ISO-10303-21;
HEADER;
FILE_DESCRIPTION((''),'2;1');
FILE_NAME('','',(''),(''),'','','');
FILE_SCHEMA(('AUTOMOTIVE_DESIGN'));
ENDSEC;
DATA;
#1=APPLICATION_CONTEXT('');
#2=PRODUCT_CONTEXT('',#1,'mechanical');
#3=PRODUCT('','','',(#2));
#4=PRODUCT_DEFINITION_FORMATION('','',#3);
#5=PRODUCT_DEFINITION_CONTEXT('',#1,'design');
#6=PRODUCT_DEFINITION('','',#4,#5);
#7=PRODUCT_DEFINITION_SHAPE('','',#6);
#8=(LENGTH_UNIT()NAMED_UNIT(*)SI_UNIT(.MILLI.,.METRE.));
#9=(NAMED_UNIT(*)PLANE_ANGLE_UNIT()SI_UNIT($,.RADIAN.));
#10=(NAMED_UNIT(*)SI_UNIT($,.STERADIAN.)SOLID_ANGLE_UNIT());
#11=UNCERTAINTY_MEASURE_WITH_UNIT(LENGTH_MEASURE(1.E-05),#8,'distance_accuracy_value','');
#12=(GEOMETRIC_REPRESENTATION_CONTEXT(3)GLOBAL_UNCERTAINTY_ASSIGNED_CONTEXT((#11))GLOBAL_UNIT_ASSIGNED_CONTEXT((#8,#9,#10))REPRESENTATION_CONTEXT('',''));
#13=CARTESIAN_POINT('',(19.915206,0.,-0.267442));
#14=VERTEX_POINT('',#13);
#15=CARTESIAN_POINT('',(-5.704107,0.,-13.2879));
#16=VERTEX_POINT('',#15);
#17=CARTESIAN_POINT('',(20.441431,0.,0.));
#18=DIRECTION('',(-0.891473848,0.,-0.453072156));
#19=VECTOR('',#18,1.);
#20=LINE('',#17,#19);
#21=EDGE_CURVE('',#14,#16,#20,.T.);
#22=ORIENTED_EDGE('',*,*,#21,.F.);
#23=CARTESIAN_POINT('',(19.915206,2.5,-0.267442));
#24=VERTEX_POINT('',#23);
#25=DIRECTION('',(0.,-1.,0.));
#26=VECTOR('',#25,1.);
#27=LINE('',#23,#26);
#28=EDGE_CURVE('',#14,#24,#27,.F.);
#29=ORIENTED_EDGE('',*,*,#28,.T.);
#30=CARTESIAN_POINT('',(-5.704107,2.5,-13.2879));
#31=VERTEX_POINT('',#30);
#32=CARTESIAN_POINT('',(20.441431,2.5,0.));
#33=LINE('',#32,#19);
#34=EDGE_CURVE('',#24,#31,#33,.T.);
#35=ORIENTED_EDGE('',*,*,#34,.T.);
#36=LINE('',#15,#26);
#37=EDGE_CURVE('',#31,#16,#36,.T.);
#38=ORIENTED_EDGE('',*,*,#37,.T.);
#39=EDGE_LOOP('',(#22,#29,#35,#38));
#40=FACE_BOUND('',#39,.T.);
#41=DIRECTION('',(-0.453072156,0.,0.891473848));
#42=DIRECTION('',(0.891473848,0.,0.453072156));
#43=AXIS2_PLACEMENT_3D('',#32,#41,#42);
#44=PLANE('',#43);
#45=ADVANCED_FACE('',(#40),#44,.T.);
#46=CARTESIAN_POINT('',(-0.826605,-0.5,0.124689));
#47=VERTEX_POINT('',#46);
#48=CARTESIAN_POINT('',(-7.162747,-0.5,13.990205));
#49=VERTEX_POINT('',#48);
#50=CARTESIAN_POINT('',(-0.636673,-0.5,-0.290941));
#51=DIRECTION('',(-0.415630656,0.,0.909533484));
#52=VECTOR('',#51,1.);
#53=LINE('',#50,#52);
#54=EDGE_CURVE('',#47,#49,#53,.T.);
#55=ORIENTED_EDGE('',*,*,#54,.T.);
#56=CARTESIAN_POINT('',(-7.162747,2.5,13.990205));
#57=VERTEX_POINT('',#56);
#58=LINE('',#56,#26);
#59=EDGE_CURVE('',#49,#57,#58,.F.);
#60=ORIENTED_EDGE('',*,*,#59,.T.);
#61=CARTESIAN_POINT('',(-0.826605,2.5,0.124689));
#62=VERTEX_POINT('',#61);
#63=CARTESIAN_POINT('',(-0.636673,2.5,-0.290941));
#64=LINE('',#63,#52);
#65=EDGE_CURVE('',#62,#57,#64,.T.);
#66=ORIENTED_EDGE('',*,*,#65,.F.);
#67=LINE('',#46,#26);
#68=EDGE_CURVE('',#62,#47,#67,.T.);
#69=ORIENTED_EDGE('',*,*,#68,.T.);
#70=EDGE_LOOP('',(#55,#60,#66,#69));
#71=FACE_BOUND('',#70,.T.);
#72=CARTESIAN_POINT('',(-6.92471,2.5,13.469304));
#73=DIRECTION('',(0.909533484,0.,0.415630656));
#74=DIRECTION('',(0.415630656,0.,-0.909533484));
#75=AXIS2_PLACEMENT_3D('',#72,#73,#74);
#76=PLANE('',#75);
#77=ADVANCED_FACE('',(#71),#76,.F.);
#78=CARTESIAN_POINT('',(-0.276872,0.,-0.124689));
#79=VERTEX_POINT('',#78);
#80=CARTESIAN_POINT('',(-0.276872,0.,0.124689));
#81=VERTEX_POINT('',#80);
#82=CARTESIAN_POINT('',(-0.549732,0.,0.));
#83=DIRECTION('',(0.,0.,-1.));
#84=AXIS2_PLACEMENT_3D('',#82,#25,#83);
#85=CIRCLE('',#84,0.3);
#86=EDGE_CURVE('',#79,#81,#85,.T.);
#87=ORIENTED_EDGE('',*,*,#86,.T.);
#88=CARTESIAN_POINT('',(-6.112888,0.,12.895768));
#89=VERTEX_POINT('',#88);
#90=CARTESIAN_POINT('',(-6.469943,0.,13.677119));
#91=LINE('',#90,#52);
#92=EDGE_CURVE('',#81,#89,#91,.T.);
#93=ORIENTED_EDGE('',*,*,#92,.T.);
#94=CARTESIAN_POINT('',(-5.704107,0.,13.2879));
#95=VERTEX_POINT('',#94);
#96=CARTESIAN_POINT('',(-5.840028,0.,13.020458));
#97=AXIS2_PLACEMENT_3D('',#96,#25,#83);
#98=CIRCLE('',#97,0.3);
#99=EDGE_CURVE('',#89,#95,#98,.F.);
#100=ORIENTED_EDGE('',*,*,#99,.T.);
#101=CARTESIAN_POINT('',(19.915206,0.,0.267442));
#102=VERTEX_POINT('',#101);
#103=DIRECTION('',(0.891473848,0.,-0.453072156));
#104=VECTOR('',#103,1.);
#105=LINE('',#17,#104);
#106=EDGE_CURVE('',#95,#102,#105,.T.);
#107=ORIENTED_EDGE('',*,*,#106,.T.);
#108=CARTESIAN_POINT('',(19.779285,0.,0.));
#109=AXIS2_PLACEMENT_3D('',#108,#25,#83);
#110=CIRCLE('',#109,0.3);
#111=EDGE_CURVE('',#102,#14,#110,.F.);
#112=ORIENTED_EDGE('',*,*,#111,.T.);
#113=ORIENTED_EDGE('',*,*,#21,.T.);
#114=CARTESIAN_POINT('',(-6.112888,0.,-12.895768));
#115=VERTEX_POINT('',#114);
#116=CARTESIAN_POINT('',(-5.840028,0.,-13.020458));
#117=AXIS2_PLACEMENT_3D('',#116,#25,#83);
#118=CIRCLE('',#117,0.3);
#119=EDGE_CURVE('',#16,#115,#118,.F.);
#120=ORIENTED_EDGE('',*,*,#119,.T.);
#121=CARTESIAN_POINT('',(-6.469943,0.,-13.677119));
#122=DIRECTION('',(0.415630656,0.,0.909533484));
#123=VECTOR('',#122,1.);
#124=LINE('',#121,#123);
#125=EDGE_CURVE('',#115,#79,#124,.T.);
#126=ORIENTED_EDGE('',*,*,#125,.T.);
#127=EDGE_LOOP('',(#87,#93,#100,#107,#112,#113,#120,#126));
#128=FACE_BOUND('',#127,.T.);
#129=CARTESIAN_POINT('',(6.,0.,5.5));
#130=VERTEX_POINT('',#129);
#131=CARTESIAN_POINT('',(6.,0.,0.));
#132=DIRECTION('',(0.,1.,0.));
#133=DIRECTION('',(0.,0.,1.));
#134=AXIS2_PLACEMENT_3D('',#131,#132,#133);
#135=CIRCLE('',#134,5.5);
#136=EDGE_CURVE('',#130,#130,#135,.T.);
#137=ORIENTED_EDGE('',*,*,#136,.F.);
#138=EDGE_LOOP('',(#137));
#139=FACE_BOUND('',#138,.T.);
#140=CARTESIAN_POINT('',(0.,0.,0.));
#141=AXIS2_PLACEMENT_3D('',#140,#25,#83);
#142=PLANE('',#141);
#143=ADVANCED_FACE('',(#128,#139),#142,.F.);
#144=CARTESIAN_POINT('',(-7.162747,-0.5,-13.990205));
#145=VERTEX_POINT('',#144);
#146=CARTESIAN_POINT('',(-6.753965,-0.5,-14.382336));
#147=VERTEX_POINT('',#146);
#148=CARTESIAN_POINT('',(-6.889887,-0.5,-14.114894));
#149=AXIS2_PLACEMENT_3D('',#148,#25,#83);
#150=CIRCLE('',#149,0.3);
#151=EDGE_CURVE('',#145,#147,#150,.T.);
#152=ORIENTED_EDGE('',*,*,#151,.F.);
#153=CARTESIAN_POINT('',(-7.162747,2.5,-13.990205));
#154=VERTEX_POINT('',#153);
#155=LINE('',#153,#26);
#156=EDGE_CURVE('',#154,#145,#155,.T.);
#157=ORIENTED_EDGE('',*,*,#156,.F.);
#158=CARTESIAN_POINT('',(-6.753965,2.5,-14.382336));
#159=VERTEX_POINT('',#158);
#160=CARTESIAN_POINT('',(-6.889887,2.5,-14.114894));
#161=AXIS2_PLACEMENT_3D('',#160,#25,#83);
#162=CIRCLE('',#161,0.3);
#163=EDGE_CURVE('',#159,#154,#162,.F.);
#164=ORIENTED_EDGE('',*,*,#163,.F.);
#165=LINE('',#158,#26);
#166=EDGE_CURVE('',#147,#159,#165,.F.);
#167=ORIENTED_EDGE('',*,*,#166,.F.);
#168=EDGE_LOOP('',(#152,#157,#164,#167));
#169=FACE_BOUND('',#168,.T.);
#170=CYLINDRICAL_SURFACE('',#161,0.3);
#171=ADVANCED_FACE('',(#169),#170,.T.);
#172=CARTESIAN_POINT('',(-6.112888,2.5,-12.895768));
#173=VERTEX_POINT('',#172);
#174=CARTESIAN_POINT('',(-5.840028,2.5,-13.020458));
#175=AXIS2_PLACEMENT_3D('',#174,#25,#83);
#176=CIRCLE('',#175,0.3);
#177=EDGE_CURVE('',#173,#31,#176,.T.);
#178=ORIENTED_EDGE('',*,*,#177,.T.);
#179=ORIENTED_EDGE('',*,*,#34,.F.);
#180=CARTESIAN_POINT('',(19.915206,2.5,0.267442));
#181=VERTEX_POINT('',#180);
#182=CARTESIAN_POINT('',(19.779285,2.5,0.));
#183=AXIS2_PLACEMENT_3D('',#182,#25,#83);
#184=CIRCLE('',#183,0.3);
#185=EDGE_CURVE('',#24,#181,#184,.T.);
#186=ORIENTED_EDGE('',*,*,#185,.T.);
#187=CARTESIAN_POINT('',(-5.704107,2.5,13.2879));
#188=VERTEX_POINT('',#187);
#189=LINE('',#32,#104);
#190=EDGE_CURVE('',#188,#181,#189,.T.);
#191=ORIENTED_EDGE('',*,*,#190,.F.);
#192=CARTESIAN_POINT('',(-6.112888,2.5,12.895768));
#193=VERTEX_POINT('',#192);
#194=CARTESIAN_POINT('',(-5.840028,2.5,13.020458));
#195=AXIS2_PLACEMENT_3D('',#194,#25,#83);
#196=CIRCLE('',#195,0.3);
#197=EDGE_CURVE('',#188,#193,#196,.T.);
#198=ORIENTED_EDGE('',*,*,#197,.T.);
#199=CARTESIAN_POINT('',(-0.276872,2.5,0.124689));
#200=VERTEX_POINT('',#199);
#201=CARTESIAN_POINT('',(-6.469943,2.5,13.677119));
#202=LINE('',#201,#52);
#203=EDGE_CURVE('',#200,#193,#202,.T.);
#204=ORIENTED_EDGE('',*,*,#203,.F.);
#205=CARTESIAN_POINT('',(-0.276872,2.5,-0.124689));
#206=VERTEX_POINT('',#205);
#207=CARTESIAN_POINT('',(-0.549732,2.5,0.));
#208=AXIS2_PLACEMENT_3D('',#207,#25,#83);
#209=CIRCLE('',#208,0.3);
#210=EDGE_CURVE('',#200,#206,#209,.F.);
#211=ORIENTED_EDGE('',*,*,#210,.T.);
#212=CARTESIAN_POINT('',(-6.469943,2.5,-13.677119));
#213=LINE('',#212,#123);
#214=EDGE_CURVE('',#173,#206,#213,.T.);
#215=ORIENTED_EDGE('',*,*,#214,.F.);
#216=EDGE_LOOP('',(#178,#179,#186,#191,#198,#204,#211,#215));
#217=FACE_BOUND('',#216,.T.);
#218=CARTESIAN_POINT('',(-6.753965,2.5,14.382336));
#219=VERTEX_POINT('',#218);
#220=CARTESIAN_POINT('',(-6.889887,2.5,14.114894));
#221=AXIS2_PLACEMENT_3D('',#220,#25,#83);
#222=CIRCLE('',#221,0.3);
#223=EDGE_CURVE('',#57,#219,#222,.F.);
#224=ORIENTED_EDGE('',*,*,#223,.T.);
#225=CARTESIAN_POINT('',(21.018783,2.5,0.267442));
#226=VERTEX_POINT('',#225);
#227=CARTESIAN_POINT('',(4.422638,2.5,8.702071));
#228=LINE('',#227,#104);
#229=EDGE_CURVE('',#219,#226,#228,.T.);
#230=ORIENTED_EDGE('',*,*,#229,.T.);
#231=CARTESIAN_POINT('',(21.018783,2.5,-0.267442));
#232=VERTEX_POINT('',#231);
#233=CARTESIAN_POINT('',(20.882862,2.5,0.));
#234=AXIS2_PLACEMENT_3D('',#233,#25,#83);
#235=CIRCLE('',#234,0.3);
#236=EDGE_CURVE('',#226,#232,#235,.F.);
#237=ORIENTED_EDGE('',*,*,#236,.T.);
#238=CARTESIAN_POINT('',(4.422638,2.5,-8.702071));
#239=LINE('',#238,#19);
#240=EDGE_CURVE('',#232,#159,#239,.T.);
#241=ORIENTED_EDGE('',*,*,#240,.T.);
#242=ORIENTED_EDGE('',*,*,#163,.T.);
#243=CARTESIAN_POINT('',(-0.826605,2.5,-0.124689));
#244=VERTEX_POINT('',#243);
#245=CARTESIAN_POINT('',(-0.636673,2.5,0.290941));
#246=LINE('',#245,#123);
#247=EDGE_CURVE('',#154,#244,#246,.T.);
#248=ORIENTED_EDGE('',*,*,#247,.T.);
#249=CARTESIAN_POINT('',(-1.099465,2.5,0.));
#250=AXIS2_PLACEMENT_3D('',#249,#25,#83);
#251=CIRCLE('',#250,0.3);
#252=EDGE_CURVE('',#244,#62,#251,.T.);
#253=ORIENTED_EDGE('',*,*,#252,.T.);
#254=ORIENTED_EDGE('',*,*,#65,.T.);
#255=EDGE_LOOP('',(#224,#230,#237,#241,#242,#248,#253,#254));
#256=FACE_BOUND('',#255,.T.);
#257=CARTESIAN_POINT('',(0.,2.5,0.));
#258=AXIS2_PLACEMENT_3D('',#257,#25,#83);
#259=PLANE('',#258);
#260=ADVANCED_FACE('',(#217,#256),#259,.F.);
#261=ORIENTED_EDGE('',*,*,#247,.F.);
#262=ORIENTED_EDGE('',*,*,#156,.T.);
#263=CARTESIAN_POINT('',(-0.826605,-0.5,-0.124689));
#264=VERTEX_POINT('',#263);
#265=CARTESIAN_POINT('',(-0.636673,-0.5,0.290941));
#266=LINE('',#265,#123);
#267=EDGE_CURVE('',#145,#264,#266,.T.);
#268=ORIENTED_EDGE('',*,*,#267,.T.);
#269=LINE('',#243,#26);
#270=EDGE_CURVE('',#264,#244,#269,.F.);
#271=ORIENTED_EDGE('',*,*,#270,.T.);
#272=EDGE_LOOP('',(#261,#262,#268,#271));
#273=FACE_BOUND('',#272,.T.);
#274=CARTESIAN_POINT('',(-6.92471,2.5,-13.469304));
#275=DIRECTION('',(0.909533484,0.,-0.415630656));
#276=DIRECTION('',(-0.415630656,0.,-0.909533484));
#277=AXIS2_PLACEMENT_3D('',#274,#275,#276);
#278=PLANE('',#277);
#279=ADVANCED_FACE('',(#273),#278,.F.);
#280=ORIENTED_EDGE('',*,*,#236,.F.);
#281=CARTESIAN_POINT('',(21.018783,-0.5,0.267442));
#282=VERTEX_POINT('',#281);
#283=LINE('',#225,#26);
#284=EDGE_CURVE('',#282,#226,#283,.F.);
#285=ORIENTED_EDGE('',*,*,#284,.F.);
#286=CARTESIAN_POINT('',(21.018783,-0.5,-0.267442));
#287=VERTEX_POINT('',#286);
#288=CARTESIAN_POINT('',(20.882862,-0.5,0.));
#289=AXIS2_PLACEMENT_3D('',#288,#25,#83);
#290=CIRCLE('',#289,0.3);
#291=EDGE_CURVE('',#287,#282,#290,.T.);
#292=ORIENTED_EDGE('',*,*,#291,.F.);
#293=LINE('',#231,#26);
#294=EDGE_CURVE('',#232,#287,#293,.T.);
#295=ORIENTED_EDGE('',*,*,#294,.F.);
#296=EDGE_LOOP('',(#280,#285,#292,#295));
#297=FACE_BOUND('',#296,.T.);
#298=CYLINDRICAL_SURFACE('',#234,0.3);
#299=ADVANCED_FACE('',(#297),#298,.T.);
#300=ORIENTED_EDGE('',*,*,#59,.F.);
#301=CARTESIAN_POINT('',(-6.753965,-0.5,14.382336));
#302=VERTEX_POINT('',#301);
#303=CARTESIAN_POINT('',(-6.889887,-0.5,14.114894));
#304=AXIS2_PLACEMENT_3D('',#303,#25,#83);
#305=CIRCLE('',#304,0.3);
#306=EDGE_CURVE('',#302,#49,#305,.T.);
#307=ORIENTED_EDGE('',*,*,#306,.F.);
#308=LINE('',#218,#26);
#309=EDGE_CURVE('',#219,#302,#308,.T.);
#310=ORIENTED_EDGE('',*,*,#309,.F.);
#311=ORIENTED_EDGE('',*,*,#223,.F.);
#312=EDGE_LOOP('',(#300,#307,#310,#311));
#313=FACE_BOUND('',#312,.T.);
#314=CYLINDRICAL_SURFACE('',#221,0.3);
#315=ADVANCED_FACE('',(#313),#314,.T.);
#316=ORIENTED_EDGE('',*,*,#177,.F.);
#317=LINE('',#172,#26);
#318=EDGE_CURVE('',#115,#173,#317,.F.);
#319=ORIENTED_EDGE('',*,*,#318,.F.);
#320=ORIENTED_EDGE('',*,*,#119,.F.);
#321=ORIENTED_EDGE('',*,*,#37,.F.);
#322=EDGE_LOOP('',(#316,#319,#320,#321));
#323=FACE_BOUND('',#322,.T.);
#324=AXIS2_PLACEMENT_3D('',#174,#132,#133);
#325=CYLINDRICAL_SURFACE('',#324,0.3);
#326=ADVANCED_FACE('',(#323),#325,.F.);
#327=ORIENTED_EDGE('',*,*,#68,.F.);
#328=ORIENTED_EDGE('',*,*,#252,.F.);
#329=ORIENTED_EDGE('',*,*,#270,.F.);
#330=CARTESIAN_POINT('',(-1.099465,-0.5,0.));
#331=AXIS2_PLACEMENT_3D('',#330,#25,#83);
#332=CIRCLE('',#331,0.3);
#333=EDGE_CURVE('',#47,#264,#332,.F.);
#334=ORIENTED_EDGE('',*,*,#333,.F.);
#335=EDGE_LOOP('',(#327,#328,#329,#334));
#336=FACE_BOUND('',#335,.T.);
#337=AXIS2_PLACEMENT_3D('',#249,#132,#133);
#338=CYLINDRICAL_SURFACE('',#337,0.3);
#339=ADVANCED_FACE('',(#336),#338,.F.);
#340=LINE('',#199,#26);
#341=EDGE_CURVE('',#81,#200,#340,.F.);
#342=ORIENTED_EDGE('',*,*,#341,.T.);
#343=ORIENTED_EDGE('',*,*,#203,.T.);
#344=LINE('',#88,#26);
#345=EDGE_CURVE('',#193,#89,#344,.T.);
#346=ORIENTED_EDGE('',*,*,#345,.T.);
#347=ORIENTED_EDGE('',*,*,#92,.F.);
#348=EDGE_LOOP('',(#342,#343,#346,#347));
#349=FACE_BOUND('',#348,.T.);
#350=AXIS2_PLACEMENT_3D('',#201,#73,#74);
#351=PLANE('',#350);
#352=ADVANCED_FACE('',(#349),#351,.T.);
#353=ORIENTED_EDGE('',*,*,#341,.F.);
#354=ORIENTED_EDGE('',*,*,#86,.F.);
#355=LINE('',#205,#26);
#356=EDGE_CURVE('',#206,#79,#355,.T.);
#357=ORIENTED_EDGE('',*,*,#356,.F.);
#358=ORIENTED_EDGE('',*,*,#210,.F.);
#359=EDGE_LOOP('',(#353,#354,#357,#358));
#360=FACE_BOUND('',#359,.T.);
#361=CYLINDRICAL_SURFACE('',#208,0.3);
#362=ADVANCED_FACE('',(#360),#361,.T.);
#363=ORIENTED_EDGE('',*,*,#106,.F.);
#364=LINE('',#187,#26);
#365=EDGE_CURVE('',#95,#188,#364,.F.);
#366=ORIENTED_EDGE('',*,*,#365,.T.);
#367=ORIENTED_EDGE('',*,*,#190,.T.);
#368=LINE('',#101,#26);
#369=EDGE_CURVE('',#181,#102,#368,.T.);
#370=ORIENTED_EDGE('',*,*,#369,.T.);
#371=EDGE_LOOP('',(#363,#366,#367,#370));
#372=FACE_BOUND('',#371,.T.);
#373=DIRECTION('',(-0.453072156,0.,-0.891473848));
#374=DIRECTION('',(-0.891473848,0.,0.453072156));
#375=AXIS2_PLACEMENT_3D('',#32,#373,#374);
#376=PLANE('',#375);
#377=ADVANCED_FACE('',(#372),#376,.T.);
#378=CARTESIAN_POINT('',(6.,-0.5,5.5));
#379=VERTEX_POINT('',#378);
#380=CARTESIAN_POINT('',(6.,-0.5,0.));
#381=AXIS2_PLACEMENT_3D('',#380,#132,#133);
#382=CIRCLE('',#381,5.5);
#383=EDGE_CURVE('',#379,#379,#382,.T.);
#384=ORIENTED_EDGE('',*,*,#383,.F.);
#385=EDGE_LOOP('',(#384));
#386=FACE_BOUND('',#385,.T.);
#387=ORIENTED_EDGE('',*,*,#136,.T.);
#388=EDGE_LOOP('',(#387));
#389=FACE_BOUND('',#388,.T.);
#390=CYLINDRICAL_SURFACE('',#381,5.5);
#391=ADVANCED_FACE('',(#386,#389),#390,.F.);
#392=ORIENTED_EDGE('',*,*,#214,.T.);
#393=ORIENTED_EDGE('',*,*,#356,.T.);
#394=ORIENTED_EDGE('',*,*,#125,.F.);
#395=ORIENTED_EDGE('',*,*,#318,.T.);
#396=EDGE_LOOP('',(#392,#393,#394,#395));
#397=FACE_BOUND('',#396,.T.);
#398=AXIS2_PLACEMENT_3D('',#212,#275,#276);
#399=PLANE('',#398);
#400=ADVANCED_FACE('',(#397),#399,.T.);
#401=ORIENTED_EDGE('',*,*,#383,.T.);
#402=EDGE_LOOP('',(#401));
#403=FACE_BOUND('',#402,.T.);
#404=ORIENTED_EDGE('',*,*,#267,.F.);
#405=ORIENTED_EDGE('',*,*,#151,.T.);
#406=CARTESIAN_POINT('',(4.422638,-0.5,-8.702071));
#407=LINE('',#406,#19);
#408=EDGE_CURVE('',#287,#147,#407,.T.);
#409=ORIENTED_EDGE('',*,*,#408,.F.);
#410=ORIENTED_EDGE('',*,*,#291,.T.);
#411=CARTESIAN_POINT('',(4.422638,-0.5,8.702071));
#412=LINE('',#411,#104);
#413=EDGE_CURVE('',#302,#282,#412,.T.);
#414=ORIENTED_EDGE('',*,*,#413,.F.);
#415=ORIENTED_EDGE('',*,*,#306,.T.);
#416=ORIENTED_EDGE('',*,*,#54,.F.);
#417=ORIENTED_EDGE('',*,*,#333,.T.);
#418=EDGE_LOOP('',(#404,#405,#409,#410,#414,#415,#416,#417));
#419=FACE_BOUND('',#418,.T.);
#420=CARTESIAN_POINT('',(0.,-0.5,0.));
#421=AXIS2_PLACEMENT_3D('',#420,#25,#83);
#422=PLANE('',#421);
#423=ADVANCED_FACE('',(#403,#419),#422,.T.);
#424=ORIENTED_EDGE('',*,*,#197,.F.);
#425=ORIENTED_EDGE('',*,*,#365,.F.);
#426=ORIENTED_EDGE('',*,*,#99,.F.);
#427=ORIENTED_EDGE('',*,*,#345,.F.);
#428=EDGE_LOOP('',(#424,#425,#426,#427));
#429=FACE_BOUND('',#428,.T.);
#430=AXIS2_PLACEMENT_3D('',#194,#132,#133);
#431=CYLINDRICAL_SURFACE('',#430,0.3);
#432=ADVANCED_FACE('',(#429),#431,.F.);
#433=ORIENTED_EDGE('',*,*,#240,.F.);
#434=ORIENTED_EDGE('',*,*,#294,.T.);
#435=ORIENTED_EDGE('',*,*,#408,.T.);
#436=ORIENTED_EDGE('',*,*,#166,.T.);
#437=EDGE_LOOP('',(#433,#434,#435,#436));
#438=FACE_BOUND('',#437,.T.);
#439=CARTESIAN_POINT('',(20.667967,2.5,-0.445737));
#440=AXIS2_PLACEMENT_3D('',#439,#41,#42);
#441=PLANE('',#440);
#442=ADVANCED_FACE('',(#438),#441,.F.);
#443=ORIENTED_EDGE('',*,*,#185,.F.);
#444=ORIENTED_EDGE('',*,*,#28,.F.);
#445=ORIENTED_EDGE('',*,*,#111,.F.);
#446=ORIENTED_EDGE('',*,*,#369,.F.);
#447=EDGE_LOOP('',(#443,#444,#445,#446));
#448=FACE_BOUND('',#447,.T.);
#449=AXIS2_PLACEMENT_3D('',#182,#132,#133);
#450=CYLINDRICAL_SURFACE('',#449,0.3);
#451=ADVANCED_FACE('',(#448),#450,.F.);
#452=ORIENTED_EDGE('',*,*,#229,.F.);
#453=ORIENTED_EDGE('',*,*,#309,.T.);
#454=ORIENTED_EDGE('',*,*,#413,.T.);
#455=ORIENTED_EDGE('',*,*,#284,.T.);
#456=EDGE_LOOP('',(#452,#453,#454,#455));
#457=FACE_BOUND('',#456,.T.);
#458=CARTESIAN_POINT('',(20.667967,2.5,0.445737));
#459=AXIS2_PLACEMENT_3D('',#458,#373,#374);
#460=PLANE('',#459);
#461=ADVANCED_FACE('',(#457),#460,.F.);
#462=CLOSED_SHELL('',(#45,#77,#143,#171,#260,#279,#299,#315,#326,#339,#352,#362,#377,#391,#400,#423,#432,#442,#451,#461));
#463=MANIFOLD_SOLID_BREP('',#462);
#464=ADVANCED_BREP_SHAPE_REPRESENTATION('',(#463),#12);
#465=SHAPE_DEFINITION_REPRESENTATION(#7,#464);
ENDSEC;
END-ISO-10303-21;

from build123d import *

# Parameters (mm, degrees)
SALIENTE_EXTRUIR1_DEPTH = 2.5
VACIADO1_T              = 0.5
CROQUIS3_R              = 5.5
CORTAR_EXTRUIR1_DEPTH   = 27.241879304
REDONDEO1_R             = 0.3


with BuildPart() as part:
    # Croquis2 → Saliente-Extruir1 (new body)
    with BuildSketch(Plane(origin=(0, 0, 0), x_dir=(1, 0, 0), z_dir=(0, 1, 0))):
        Polygon((-6.46994338, 13.677119477), (-0.219892949, 0), (-6.46994338, -13.677119477), (20.44143079, 0), align=None)
    extrude(amount=SALIENTE_EXTRUIR1_DEPTH)

    # Vaciado1
    vaciado1_openings = [part.faces().sort_by_distance(p)[0] for p in [
        (4.58386482, 2.5, 0),
    ]]
    offset(amount=VACIADO1_T, openings=vaciado1_openings, kind=Kind.INTERSECTION)

    # Croquis3 → Cortar-Extruir1 (cut, through all)
    with BuildSketch(Plane(origin=(0, 0, 0), x_dir=(1, 0, 0), z_dir=(0, 1, 0))):
        with Locations(Location((6, 0, 0), (0, 0, 270))):
            Circle(CROQUIS3_R)
    extrude(amount=-CORTAR_EXTRUIR1_DEPTH, mode=Mode.SUBTRACT)

    # Redondeo1
    redondeo1_edges = [part.edges().sort_by_distance(p)[0] for p in [
        (20.44143079, 1.25, 0),
        (-6.46994338, 1.25, -13.677119477),
        (-0.219892949, 1.25, 0),
        (-6.46994338, 1.25, 13.677119477),
        (21.545007766, 1, 0),
        (-7.519801831, 1, 14.771556106),
        (-0.769625322, 1, 0),
        (-7.519801831, 1, -14.771556106),
    ]]
    fillet(redondeo1_edges, radius=REDONDEO1_R)


solid = part.part
